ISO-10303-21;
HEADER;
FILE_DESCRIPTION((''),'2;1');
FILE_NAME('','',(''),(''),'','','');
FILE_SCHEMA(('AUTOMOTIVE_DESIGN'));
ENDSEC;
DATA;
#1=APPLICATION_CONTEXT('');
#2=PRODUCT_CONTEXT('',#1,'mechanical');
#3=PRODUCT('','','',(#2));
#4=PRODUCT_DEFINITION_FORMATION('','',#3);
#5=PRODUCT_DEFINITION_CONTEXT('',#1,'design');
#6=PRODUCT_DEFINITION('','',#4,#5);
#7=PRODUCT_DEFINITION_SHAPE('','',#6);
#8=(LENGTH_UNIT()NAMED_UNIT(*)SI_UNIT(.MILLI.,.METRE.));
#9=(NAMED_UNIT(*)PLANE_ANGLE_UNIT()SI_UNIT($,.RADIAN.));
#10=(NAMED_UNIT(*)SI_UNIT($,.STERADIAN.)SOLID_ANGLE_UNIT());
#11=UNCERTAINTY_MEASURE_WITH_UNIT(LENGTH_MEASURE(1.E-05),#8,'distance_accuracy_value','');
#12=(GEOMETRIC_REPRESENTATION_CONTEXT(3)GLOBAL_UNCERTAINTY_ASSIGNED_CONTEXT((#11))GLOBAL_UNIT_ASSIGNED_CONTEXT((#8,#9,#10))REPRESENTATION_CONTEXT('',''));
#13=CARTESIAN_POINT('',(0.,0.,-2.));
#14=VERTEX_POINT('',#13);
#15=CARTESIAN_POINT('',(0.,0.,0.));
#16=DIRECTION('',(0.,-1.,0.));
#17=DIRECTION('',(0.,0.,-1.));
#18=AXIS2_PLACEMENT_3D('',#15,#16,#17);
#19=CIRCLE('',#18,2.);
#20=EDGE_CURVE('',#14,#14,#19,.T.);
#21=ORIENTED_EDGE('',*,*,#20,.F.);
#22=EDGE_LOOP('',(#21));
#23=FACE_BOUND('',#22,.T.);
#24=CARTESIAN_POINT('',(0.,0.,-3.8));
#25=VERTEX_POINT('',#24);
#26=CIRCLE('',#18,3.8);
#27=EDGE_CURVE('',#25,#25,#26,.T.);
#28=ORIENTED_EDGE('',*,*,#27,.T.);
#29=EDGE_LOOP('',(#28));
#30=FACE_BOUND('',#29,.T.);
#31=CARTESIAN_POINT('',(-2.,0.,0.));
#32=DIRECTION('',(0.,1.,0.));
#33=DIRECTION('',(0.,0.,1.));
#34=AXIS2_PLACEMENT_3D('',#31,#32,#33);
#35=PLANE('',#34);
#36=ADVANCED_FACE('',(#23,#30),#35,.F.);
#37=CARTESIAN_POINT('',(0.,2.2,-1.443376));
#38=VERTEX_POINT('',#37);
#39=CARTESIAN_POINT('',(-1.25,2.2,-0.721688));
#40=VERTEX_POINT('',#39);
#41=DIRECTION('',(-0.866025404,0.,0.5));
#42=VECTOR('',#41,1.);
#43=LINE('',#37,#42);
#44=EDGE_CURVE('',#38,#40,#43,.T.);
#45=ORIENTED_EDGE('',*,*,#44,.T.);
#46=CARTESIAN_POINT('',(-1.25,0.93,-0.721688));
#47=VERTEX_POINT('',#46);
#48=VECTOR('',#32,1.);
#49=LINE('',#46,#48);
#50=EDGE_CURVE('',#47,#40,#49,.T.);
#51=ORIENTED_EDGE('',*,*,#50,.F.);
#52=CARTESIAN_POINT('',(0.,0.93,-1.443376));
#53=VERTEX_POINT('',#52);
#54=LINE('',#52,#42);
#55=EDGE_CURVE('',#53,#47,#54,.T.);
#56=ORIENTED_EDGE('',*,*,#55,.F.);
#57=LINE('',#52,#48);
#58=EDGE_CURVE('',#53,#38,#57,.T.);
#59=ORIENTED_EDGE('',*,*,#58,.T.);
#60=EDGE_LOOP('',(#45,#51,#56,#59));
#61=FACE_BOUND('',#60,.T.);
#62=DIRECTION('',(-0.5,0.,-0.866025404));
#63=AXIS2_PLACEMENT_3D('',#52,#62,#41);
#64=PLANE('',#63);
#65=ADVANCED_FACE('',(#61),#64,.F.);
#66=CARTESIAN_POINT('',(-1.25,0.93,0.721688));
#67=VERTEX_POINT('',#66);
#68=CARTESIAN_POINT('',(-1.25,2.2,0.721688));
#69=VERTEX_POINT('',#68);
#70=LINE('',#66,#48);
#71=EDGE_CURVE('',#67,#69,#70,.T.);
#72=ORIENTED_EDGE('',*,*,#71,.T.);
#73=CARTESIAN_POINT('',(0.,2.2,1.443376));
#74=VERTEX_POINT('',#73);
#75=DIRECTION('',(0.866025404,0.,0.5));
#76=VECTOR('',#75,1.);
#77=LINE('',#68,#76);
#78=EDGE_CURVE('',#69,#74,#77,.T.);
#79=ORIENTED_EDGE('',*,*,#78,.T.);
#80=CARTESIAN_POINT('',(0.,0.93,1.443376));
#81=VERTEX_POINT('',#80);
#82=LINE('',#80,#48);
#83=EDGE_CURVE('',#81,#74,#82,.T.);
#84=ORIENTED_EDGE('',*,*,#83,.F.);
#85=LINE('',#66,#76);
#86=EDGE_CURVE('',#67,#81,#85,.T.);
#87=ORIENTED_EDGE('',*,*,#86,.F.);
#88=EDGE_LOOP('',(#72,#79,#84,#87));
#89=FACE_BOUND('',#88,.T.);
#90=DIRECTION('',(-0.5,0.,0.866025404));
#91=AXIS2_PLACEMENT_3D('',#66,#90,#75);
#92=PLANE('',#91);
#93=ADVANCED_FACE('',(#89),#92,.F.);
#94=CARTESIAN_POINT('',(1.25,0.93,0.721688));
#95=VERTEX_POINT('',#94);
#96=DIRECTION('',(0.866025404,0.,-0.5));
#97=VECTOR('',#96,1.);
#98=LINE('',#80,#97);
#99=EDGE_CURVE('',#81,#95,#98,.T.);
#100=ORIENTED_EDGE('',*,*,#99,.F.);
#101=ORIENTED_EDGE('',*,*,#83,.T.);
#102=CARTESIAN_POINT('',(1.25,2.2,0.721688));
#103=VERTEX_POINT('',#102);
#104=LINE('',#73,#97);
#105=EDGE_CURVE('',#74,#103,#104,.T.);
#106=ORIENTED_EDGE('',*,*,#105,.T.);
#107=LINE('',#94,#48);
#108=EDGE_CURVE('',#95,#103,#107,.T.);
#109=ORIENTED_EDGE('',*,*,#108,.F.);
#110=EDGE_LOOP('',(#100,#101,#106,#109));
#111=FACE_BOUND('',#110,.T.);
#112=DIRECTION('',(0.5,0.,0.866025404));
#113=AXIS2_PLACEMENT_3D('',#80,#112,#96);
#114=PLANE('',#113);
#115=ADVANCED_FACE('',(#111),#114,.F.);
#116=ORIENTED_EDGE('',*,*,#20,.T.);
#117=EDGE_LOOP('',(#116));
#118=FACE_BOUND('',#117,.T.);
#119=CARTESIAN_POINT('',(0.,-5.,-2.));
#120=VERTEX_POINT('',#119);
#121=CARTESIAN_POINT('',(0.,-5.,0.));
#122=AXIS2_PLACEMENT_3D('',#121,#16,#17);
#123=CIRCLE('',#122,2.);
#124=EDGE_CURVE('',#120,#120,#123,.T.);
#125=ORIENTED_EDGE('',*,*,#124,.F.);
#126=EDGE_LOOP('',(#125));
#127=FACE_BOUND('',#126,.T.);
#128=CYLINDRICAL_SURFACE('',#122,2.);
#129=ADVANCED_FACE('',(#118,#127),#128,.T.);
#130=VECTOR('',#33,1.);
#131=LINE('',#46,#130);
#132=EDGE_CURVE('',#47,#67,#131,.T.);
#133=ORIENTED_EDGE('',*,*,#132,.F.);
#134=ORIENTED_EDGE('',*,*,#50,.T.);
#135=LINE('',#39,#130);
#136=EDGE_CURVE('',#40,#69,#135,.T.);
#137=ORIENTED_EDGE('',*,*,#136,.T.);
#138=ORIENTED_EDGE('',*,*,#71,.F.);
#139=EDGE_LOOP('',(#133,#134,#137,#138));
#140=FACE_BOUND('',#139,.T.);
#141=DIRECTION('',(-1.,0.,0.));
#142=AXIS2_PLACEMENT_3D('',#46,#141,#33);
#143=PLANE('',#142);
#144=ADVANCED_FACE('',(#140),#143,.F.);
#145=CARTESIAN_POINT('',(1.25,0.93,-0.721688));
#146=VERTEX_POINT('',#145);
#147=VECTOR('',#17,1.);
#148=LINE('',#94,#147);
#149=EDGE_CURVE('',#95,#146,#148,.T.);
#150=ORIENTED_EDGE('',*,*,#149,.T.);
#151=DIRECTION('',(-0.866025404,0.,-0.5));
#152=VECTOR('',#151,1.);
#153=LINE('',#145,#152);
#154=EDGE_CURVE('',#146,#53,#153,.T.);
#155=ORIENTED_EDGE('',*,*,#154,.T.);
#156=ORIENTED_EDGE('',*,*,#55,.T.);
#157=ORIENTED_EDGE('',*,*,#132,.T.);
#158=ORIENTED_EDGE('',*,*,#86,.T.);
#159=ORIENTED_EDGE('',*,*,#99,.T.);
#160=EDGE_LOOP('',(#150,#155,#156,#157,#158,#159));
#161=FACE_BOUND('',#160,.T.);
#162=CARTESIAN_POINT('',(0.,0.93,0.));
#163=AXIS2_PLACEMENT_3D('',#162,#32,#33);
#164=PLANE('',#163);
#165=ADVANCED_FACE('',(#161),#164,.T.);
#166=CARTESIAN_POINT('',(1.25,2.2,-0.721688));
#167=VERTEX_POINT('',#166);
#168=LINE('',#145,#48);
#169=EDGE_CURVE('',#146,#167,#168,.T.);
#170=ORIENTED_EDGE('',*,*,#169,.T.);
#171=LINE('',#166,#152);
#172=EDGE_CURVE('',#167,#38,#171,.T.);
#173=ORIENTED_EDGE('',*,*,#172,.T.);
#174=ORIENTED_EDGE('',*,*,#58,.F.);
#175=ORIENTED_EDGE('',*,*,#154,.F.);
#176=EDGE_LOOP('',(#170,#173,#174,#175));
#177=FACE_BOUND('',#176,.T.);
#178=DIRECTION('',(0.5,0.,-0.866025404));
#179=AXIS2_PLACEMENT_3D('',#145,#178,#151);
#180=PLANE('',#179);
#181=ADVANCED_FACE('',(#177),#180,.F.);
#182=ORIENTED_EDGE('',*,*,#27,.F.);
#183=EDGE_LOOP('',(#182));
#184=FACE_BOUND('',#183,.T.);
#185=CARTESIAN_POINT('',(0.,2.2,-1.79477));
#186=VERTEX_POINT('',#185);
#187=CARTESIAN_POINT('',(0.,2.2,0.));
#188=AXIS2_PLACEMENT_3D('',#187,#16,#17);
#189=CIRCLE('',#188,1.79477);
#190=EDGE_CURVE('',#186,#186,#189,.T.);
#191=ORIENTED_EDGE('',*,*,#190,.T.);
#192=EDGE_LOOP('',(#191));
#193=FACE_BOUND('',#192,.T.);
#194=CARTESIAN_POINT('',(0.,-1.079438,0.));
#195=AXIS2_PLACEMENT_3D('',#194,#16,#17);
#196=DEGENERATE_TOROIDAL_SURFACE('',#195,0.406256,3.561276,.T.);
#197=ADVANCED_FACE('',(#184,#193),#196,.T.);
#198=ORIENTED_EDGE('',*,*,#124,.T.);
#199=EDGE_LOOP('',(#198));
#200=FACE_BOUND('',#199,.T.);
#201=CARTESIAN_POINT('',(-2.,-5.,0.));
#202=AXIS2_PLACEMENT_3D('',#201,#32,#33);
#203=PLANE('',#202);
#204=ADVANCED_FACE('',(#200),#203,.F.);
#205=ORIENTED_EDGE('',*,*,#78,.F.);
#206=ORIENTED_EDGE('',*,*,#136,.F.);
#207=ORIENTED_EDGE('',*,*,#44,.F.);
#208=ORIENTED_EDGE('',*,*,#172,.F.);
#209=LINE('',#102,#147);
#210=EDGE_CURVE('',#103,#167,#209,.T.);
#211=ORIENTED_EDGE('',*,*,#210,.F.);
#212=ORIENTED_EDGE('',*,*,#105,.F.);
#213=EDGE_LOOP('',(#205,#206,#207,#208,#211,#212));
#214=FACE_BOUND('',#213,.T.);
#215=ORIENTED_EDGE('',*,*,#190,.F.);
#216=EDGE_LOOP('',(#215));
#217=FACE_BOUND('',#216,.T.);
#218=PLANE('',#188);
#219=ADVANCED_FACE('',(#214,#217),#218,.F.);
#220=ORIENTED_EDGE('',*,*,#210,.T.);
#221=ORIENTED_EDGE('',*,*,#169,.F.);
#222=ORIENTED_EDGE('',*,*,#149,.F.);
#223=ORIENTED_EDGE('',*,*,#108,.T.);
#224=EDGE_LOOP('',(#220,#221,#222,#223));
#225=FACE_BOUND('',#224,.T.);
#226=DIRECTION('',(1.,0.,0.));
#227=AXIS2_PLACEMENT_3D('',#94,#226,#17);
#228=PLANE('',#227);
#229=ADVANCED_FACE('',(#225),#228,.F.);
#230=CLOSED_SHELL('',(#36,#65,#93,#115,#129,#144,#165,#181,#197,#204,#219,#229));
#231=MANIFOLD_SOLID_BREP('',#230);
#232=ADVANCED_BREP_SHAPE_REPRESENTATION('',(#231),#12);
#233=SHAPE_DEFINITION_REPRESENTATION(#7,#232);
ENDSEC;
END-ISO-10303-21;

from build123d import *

# Parameters (mm, degrees)
CUT_EXTRUDE1_DEPTH = 1.27


with BuildPart() as part:
    # Sketch1 → Revolve1 (revolve)
    with BuildSketch(Plane.XY):
        with BuildLine():
            Line((-2, 0), (-3.8, 0))
            ThreePointArc((-3.8, 0), (-3.038270032, 1.319559026), (-1.79477003, 2.2))
            Line((-1.79477003, 2.2), (0, 2.2))
            Line((0, 2.2), (0, -5))
            Line((0, -5), (-2, -5))
            Line((-2, -5), (-2, 0))
        make_face()
    revolve(axis=Axis((0, -5, 0), (0, 1, 0)))

    # Sketch2 → Cut-Extrude1 (cut)
    with BuildSketch(Plane(origin=(0, 2.2, 0), x_dir=(1, 0, 0), z_dir=(0, 1, 0))):
        Polygon((-1.25, 0.721687836), (-1.25, -0.721687836), (0, -1.443375673), (1.25, -0.721687836), (1.25, 0.721687836), (0, 1.443375673), align=None)
    extrude(amount=-CUT_EXTRUDE1_DEPTH, mode=Mode.SUBTRACT)


solid = part.part
